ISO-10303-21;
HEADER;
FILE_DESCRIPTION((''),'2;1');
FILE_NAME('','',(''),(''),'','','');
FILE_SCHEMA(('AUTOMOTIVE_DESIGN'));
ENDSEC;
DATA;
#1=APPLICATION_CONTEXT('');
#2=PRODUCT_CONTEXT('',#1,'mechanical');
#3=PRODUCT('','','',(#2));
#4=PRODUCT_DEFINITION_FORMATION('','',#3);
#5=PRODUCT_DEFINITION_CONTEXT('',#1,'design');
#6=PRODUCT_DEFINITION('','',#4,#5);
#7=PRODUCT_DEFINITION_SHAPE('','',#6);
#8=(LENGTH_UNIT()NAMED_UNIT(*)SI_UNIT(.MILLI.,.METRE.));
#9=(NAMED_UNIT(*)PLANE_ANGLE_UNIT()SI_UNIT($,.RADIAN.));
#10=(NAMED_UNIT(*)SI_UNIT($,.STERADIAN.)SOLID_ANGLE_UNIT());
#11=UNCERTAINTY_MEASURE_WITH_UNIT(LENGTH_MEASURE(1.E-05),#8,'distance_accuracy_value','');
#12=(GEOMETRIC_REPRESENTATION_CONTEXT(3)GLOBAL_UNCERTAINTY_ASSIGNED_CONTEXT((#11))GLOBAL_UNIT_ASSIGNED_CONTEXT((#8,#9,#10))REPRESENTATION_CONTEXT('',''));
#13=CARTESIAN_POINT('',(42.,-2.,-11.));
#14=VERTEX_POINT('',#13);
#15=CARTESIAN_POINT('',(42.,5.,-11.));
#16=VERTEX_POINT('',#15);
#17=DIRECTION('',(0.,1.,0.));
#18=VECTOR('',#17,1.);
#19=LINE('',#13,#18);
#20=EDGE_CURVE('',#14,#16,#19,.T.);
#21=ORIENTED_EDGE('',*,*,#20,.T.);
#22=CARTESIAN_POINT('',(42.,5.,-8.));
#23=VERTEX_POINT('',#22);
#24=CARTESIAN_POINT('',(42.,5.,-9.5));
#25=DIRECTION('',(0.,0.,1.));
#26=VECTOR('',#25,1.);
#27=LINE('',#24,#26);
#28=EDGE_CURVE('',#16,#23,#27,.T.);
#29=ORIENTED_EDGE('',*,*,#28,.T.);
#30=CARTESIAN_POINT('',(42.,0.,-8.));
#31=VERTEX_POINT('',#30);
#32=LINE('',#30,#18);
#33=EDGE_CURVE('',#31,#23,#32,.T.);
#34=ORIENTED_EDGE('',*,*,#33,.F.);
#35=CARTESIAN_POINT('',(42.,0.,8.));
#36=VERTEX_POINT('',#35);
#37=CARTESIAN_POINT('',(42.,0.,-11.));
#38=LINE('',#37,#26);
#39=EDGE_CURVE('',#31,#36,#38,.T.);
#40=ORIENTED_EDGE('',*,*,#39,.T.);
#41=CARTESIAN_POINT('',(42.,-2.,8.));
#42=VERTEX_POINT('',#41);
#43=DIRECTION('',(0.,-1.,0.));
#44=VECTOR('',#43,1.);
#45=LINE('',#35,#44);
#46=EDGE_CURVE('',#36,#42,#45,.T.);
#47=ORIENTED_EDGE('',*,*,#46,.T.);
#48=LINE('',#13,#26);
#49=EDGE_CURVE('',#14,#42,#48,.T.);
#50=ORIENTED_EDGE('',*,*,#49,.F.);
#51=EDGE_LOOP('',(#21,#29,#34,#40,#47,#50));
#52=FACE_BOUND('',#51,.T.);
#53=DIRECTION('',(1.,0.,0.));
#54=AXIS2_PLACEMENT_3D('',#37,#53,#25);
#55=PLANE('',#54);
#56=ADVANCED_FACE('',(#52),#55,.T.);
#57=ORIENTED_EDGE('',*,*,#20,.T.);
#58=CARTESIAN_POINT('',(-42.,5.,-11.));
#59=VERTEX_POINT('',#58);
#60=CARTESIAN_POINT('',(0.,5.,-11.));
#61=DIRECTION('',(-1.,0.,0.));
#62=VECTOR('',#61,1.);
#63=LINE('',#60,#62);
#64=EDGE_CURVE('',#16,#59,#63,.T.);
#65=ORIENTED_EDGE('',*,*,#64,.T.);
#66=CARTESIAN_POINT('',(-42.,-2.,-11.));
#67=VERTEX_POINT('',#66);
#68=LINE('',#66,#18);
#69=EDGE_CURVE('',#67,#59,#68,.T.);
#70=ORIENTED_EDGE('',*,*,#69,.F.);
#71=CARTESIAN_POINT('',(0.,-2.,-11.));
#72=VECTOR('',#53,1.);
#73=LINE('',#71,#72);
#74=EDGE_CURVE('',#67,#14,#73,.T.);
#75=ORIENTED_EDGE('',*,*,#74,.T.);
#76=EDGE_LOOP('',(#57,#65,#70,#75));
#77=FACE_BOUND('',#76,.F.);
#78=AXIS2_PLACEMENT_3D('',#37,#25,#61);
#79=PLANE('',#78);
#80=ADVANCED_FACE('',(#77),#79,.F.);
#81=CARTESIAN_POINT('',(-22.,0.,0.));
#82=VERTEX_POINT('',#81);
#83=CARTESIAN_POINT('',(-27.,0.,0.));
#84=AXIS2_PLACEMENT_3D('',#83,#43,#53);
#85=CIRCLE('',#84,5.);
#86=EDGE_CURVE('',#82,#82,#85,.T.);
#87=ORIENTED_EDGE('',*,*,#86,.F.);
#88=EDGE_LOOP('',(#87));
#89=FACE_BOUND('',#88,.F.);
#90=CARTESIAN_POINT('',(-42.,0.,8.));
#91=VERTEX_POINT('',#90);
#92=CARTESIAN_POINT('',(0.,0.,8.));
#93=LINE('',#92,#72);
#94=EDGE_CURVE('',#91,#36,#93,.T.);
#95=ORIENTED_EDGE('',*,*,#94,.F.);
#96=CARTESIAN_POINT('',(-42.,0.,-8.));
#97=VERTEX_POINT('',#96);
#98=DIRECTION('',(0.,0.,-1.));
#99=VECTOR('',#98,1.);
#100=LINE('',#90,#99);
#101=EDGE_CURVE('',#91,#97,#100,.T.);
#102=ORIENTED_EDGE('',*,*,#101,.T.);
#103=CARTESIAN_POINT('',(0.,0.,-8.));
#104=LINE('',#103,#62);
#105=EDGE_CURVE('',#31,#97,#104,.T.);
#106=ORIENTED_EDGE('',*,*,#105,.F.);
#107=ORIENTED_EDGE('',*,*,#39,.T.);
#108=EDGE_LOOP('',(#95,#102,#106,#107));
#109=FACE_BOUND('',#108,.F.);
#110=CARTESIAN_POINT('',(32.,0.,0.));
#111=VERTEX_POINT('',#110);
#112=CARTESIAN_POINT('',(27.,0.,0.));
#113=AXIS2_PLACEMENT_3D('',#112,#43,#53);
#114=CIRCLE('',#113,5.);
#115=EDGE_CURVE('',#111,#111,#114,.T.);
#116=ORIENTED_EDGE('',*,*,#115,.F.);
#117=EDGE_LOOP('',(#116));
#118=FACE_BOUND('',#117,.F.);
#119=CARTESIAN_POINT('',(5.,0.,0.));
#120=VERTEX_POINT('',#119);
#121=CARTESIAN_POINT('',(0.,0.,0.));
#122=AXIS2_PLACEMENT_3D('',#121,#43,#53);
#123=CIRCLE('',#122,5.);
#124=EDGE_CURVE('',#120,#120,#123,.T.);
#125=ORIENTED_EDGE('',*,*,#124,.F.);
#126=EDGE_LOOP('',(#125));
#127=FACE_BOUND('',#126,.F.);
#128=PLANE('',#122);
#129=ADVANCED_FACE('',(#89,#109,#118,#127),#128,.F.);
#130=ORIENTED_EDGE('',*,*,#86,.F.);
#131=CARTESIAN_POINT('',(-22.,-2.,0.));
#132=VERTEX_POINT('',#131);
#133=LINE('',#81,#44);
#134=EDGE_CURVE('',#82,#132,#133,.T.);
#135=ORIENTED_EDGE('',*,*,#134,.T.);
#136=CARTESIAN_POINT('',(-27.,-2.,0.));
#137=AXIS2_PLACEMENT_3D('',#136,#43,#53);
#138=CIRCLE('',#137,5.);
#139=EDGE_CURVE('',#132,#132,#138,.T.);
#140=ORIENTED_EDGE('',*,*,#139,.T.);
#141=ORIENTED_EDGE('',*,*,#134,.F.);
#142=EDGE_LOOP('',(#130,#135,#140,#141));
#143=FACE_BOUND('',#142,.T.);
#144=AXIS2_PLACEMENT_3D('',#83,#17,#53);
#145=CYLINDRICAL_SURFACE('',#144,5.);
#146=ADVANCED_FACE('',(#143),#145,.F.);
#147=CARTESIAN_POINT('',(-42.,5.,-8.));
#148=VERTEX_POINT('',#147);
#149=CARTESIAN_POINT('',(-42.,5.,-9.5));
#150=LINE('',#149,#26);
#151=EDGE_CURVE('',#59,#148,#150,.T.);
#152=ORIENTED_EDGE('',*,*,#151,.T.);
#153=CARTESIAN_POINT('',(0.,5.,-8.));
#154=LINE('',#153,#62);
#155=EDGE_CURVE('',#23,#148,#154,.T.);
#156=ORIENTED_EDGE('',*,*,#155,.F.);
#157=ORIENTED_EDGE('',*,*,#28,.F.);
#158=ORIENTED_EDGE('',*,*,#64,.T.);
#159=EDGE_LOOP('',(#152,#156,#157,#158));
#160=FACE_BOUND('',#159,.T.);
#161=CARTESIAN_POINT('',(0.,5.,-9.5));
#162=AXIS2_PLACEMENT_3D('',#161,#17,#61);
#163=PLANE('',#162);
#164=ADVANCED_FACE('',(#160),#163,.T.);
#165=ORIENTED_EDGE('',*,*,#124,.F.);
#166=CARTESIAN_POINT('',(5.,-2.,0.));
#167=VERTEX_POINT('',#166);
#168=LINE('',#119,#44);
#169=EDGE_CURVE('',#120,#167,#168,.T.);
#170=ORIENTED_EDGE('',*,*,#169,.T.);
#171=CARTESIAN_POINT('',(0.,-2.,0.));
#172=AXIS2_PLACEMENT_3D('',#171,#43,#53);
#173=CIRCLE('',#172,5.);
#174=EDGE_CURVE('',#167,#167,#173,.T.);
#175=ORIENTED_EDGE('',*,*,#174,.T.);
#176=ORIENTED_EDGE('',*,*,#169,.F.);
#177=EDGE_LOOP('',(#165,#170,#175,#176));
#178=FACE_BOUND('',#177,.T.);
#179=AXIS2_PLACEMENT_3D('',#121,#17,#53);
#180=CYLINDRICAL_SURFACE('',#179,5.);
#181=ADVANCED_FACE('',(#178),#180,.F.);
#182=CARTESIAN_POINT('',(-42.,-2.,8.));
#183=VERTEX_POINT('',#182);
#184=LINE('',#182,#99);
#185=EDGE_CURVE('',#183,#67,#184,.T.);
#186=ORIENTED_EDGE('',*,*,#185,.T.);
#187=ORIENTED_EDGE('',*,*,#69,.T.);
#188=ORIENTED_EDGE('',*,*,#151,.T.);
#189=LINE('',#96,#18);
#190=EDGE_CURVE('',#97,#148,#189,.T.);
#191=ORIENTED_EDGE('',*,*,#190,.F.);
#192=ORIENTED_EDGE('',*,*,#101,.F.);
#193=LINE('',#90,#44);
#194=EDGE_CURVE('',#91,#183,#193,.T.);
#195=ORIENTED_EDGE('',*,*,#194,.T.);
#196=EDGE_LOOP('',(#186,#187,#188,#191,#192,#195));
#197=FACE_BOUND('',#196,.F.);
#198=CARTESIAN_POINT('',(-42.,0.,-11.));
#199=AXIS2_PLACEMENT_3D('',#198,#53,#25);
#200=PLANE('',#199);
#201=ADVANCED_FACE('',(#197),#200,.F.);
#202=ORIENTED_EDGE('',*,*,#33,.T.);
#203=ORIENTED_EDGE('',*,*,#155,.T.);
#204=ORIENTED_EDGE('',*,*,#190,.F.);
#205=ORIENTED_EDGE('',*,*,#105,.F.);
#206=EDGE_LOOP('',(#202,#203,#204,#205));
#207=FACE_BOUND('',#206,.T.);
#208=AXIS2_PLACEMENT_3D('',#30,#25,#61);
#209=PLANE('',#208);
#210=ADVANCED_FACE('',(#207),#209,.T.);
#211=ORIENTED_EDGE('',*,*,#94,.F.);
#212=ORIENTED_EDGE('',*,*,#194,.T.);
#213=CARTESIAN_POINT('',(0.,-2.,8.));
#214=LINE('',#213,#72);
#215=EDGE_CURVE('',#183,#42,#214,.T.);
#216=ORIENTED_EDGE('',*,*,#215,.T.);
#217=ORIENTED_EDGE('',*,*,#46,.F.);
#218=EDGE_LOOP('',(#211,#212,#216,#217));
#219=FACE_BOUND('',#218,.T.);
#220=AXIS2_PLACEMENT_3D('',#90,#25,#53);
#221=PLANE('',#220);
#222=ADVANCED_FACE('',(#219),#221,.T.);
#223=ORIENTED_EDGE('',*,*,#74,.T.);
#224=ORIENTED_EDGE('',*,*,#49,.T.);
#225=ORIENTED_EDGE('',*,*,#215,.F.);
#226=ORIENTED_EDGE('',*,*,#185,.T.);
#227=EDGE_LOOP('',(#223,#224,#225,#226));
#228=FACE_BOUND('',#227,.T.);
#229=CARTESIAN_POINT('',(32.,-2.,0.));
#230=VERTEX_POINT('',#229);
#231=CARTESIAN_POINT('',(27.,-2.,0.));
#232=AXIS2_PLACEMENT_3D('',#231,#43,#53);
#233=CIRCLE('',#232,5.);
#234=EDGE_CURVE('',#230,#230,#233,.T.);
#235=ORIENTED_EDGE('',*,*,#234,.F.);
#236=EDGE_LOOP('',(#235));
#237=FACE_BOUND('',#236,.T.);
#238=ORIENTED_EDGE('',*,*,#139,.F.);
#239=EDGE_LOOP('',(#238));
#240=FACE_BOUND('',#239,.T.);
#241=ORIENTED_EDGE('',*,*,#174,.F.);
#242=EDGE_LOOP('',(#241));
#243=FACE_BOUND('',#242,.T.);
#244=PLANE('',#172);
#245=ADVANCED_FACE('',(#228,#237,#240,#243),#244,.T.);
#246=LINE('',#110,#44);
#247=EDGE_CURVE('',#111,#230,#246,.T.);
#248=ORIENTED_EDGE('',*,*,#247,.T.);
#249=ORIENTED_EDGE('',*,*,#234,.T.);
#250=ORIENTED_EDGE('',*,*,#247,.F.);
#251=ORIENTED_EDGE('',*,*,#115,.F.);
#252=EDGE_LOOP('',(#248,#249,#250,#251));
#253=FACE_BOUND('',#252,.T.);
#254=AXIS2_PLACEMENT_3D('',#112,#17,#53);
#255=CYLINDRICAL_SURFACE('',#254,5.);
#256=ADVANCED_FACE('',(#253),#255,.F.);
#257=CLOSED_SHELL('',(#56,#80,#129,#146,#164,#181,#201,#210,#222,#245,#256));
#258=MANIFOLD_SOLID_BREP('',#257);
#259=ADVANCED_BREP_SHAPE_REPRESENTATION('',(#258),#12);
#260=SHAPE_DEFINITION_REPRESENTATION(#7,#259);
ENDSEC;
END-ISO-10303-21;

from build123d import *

# Parameters (mm, degrees)
F0_W     = 84
F0_H     = 16
F0_R     = 5
F0_H_2   = 3
F1_DEPTH = 2
F2_W     = 84
F2_H     = 3
F3_DEPTH = 5


with BuildPart() as f1:
    # F0 (on Front) → F1 (new body)
    with BuildSketch(Plane.XZ):
        Rectangle(F0_W, F0_H)
        with Locations((-27, 0)):
            Circle(F0_R, mode=Mode.SUBTRACT)
        Circle(F0_R, mode=Mode.SUBTRACT)
        with Locations((27, 0)):
            Circle(F0_R, mode=Mode.SUBTRACT)
        with Locations((0, -9.5)):
            Rectangle(F0_W, F0_H_2)
    extrude(amount=F1_DEPTH)

    # F2 (on face) → F3 (join)
    with BuildSketch(Plane(origin=(0, 0, 0), x_dir=(-1, 0, 0), z_dir=(0, 1, 0))):
        with Locations((0, -9.5)):
            Rectangle(F2_W, F2_H)
    extrude(amount=F3_DEPTH)


solid = f1.part
